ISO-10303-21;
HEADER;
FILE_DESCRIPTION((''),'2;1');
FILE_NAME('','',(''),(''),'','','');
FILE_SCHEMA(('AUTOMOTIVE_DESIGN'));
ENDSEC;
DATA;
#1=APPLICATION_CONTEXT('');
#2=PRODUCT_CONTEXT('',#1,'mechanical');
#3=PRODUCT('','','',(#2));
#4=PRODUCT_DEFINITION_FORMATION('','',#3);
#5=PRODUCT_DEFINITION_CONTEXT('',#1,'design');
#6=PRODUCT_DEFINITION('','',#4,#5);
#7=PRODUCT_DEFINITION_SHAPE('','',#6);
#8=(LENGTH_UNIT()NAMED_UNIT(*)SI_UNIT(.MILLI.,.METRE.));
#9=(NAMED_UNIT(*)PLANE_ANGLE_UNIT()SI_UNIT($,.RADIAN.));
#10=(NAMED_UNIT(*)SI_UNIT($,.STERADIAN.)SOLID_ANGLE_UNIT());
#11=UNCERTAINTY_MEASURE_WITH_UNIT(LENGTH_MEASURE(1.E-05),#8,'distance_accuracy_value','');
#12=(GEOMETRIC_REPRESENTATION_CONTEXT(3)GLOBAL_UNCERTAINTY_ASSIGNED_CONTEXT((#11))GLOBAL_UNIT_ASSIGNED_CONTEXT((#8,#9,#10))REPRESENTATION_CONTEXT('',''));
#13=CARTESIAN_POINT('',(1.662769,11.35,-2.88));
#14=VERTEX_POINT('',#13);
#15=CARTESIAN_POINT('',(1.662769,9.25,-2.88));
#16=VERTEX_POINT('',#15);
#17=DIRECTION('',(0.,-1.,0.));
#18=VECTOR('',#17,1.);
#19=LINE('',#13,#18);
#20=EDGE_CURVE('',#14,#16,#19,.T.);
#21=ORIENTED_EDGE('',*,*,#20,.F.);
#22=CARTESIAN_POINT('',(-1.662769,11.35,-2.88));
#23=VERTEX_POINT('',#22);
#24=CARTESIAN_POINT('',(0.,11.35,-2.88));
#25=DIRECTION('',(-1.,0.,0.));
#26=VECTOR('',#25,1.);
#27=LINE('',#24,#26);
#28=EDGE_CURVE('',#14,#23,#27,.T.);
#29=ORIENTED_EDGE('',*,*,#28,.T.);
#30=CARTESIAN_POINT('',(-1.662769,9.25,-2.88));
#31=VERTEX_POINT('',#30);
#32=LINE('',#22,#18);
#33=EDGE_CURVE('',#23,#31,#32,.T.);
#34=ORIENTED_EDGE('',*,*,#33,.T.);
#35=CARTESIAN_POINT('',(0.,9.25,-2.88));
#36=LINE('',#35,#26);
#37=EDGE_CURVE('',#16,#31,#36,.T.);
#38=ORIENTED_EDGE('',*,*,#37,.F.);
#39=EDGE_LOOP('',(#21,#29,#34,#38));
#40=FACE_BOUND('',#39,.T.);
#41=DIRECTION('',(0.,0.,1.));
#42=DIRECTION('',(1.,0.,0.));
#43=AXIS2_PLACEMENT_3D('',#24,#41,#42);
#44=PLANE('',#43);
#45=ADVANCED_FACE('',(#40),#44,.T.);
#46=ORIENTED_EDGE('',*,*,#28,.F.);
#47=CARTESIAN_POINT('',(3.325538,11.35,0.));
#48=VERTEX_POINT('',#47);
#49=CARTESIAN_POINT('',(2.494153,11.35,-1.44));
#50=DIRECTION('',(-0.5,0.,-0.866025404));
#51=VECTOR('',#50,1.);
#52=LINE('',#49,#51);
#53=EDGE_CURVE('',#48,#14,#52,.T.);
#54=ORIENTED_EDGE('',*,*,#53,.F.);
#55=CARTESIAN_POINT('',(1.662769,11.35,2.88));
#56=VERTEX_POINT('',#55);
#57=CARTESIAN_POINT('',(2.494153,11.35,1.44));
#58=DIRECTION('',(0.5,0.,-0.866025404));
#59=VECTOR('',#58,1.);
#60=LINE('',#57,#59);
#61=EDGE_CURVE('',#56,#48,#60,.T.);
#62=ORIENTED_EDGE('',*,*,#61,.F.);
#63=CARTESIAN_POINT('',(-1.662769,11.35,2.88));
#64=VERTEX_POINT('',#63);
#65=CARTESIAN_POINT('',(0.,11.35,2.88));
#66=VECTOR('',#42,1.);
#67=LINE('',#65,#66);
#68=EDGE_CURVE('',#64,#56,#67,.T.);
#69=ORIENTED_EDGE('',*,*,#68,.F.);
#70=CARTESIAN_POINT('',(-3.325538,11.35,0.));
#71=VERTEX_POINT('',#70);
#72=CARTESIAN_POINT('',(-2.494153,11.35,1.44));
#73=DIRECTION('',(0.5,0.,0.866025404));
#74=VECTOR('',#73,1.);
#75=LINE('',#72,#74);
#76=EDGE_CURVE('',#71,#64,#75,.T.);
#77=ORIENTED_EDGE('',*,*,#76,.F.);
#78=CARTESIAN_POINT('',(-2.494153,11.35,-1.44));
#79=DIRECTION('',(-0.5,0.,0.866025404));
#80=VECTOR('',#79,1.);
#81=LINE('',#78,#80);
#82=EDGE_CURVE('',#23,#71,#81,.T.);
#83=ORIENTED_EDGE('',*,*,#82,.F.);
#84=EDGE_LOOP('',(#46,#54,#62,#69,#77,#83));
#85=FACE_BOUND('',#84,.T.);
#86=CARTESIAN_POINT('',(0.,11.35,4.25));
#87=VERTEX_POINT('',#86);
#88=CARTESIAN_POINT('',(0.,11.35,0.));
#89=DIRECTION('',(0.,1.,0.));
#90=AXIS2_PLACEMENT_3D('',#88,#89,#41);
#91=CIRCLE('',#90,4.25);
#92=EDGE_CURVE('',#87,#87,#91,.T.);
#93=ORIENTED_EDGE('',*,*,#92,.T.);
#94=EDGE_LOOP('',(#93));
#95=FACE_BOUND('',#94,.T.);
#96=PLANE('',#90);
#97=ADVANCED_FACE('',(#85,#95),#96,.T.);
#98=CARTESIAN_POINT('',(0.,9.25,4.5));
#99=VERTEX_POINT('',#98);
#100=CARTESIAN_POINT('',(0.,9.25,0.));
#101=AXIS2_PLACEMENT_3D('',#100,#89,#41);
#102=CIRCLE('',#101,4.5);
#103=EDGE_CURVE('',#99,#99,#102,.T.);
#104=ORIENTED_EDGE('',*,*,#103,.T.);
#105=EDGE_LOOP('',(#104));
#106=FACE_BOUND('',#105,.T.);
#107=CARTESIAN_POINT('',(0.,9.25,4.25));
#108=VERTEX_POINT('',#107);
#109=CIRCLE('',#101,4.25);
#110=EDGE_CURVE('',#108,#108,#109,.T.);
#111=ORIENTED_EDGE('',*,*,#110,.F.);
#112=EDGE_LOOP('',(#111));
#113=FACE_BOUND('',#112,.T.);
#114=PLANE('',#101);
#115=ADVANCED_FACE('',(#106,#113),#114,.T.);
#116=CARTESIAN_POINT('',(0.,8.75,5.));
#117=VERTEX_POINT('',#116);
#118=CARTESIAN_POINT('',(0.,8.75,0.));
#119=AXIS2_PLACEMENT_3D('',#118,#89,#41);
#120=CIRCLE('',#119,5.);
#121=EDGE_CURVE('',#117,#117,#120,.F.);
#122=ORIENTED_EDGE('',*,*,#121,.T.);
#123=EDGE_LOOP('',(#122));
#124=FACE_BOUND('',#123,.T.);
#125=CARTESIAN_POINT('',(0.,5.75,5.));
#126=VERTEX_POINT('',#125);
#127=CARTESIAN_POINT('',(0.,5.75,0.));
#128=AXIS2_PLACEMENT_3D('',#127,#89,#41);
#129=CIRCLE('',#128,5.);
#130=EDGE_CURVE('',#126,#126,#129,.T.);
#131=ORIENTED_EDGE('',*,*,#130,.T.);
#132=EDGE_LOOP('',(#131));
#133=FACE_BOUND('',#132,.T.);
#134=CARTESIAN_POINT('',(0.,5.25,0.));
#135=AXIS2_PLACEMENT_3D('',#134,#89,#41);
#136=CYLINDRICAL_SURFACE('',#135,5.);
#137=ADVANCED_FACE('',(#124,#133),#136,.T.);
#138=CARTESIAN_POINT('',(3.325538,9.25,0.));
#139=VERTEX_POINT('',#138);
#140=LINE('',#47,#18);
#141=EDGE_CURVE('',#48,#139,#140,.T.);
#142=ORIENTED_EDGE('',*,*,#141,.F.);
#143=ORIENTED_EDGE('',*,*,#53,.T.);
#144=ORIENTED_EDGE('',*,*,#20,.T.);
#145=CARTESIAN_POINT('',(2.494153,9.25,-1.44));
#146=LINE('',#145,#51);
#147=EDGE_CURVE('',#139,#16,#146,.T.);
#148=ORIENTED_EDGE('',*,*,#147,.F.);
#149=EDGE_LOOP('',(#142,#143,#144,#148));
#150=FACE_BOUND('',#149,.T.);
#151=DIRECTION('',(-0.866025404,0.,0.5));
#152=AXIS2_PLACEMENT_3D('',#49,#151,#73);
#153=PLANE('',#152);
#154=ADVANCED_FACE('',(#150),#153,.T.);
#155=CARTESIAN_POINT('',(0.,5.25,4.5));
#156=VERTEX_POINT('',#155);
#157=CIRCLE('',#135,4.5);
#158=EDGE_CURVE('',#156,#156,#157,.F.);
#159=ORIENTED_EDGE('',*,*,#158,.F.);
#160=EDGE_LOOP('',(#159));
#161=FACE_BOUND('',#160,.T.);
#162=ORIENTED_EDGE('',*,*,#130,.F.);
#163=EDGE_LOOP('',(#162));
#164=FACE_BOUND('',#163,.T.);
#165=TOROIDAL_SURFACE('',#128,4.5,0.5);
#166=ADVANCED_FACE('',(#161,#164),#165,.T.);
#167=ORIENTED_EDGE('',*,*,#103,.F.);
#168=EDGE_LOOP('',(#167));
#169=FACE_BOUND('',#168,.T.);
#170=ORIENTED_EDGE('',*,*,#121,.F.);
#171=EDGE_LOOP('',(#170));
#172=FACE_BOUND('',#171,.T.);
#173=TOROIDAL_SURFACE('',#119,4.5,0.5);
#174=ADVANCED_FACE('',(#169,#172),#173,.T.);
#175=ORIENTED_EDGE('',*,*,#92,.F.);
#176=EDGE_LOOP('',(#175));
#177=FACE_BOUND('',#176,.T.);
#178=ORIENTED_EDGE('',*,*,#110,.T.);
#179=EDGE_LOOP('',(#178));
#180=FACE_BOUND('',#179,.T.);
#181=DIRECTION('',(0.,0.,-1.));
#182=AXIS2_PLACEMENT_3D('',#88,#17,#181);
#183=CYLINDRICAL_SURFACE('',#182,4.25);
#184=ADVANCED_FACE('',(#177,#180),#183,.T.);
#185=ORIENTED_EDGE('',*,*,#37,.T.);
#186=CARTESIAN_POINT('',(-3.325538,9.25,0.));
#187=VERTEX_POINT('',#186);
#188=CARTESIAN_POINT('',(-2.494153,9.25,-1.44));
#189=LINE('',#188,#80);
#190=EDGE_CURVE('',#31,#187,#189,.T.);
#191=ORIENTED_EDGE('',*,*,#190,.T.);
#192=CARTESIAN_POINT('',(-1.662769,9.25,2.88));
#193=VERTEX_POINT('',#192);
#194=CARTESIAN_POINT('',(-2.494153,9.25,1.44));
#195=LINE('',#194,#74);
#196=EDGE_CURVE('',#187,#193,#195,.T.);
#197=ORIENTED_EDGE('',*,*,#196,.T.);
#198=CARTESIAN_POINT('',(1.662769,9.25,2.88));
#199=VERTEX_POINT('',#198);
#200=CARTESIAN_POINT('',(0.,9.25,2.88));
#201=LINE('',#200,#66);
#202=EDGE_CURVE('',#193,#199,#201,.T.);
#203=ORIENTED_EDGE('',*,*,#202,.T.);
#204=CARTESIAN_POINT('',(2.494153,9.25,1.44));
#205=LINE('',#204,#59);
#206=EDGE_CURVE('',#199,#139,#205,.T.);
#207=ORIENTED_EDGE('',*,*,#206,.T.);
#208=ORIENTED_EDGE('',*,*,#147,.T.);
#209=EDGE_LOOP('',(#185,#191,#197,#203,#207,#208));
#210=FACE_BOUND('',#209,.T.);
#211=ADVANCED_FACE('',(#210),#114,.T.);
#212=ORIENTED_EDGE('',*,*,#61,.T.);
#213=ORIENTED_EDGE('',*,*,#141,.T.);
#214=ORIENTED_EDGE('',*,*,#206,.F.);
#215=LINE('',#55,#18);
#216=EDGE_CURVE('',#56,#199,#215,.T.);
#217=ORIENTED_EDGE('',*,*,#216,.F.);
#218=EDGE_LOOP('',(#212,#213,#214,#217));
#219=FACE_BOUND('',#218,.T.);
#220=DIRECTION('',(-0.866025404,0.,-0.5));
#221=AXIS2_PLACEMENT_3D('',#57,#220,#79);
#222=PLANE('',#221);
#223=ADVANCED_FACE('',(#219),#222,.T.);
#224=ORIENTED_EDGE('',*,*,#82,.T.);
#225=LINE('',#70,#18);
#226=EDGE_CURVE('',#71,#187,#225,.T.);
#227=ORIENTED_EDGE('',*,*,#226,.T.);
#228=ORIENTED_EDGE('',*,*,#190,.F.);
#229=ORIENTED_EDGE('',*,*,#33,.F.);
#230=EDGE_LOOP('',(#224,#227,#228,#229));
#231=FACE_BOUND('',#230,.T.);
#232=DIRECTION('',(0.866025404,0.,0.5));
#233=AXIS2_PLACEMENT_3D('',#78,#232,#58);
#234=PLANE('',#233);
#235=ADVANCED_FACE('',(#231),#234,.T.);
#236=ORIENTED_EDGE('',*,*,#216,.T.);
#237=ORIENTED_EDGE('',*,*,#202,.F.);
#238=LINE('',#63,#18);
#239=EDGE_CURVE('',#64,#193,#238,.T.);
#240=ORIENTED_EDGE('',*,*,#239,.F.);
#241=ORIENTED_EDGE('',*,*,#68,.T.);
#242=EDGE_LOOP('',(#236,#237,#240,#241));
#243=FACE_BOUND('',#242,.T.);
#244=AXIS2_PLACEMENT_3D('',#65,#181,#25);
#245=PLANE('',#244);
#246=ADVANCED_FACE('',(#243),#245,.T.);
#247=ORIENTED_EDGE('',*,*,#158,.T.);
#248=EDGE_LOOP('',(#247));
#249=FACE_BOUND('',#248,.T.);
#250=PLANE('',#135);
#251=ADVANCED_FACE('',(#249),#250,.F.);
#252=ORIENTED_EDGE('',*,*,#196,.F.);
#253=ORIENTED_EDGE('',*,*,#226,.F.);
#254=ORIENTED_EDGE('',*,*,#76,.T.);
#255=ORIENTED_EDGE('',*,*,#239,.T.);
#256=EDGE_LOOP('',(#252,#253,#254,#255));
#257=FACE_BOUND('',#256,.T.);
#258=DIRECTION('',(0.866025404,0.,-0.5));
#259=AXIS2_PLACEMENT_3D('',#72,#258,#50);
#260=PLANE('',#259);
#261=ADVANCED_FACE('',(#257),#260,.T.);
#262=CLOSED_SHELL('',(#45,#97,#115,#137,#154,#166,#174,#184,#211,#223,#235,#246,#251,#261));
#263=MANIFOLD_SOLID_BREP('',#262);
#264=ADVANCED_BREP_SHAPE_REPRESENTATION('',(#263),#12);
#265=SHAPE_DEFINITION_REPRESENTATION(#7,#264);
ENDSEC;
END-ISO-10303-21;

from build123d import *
from OCP.BRepFilletAPI import BRepFilletAPI_MakeChamfer

# Parameters (mm, degrees)
BOSS_EXTRUDE1_DEPTH  = 1.75
BOSS_EXTRUDE2_DEPTH  = 0.5
BOSS_EXTRUDE5_DEPTH  = 3.5
SKETCH4_R            = 3.5
BOSS_EXTRUDE7_DEPTH  = 2
SKETCH11_R           = 4.505443821
SKETCH11_R_2         = 3.5
CUT_EXTRUDE3_DEPTH   = 2
SKETCH12_R           = 3.5
CUT_EXTRUDE4_DEPTH   = 3
BOSS_EXTRUDE8_DEPTH  = 2.5
CHAMFER1_SIZE        = 0.5
CHAMFER1_SIZE2       = 0.288675135
SKETCH17_R           = 3.25
BOSS_EXTRUDE9_DEPTH  = 3
SKETCH18_R           = 1.768100224
CUT_EXTRUDE8_DEPTH   = 2.25
SKETCH20_R           = 5
BOSS_EXTRUDE10_DEPTH = 2
SKETCH21_R           = 5
BOSS_EXTRUDE11_DEPTH = 2
FILLET1_R            = 0.5
SKETCH25_R           = 4.000350088
CUT_EXTRUDE9_DEPTH   = 10
SKETCH26_R           = 4.25
BOSS_EXTRUDE12_DEPTH = 2.1


with BuildPart() as part:
    # Sketch1 → Boss-Extrude1 (new body)
    with BuildSketch(Plane(origin=(0, 0, 0), x_dir=(1, 0, 0), z_dir=(0, 1, 0))):
        Polygon((0.658179307, 0), (0.329089653, 0.57), (-0.329089653, 0.57), (-0.658179307, 0), (-0.329089653, -0.57), (0.329089653, -0.57), align=None)
    extrude(amount=BOSS_EXTRUDE1_DEPTH)

    # Sketch2 → Boss-Extrude2 (add)
    with BuildSketch(Plane(origin=(0, 1.75, 0), x_dir=(1, 0, 0), z_dir=(0, 1, 0))):
        Polygon((0.658179307, 0), (0.558124156, -0.173300605), (4.375, 0), (0.558578548, 0.172513574), align=None)
        Polygon((0, 0.197762982), (0, 0), (0, -0.198641554), (0.558124156, -0.173300605), (0.658179307, 0), (0.558578548, 0.172513574), align=None)
    extrude(amount=BOSS_EXTRUDE2_DEPTH)

    # Sketch3 → Boss-Extrude5 (add)
    with BuildSketch(Plane(origin=(0, 1.75, 0), x_dir=(1, 0, 0), z_dir=(0, 1, 0))):
        Polygon((0.658179307, 0), (0.329089653, 0.57), (-0.329089653, 0.57), (-0.658179307, 0), (-0.329089653, -0.57), (0.329089653, -0.57), align=None)
    extrude(amount=BOSS_EXTRUDE5_DEPTH)

    # Sketch4 → Boss-Extrude7 (add)
    with BuildSketch(Plane(origin=(0, 5.25, 0), x_dir=(1, 0, 0), z_dir=(0, 1, 0))):
        with Locations(Location((0, 0, 0), (0, 0, 270))):
            Circle(SKETCH4_R)
    extrude(amount=BOSS_EXTRUDE7_DEPTH)

    # Sketch11 → Cut-Extrude3 (cut)
    with BuildSketch(Plane(origin=(0, 1.75, 0), x_dir=(-1, 0, 0), z_dir=(0, -1, 0))):
        Circle(SKETCH11_R)
        with Locations(Location((0, 0, 0), (0, 0, 270))):
            Circle(SKETCH11_R_2, mode=Mode.SUBTRACT)
    extrude(amount=-CUT_EXTRUDE3_DEPTH, mode=Mode.SUBTRACT)

    # Sketch12 → Cut-Extrude4 (cut)
    with BuildSketch(Plane(origin=(0, 0, 0), x_dir=(-1, 0, 0), z_dir=(0, -1, 0))):
        with Locations(Location((0, 0, 0), (0, 0, 270))):
            Circle(SKETCH12_R)
    extrude(amount=-CUT_EXTRUDE4_DEPTH, mode=Mode.SUBTRACT)

    # Sketch16 → Boss-Extrude8 (add)
    with BuildSketch(Plane(origin=(0, 3, 0), x_dir=(-1, 0, 0), z_dir=(0, -1, 0))):
        Polygon((0.55, -0.952627944), (1.1, 0), (0.658179307, 0), (0.329089653, -0.57), (-0.329089653, -0.57), (-0.658179307, 0), (-1.1, 0), (-0.55, -0.952627944), align=None)
        Polygon((0.658179307, 0), (1.1, 0), (0.55, 0.952627944), (-0.55, 0.952627944), (-1.1, 0), (-0.658179307, 0), (-0.329089653, 0.57), (0.329089653, 0.57), align=None)
        Polygon((-0.658179307, 0), (0.658179307, 0), (0.329089653, 0.57), (-0.329089653, 0.57), align=None)
        Polygon((0.329089653, -0.57), (0.658179307, 0), (-0.658179307, 0), (-0.329089653, -0.57), align=None)
    extrude(amount=-BOSS_EXTRUDE8_DEPTH)

    # Chamfer1: one chamfer whose edges measure the first distance from different faces: ONE call of the kernel's chamfer builder (chamfer() names one face for all edges)
    chamfer1_edges_1 = [part.edges().sort_by_distance(p)[0] for p in [
        (-0.825, 5.25, -0.476313972),
    ]]
    chamfer1_side_1 = [part.faces().sort_by_distance(p)[0] for p in [
        (-0.825, 4.125, -0.476313972),
    ]]
    chamfer1_edges_2 = [part.edges().sort_by_distance(p)[0] for p in [
        (0, 5.25, -0.952627944),
    ]]
    chamfer1_side_2 = [part.faces().sort_by_distance(p)[0] for p in [
        (0, 4.125, -0.952627944),
    ]]
    chamfer1_edges_3 = [part.edges().sort_by_distance(p)[0] for p in [
        (0.825, 5.25, -0.476313972),
    ]]
    chamfer1_side_3 = [part.faces().sort_by_distance(p)[0] for p in [
        (0.825, 4.125, -0.476313972),
    ]]
    chamfer1_edges_4 = [part.edges().sort_by_distance(p)[0] for p in [
        (0.825, 5.25, 0.476313972),
    ]]
    chamfer1_side_4 = [part.faces().sort_by_distance(p)[0] for p in [
        (0.825, 4.125, 0.476313972),
    ]]
    chamfer1_edges_5 = [part.edges().sort_by_distance(p)[0] for p in [
        (0, 5.25, 0.952627944),
    ]]
    chamfer1_side_5 = [part.faces().sort_by_distance(p)[0] for p in [
        (0, 4.125, 0.952627944),
    ]]
    chamfer1_edges_6 = [part.edges().sort_by_distance(p)[0] for p in [
        (-0.825, 5.25, 0.476313972),
    ]]
    chamfer1_side_6 = [part.faces().sort_by_distance(p)[0] for p in [
        (-0.825, 4.125, 0.476313972),
    ]]
    chamfer1 = BRepFilletAPI_MakeChamfer(part.part.solid().wrapped)
    for e in chamfer1_edges_1:
        chamfer1.Add(CHAMFER1_SIZE, CHAMFER1_SIZE2, e.wrapped, chamfer1_side_1[0].wrapped)  # the first distance lies on this face
    for e in chamfer1_edges_2:
        chamfer1.Add(CHAMFER1_SIZE, CHAMFER1_SIZE2, e.wrapped, chamfer1_side_2[0].wrapped)  # the first distance lies on this face
    for e in chamfer1_edges_3:
        chamfer1.Add(CHAMFER1_SIZE, CHAMFER1_SIZE2, e.wrapped, chamfer1_side_3[0].wrapped)  # the first distance lies on this face
    for e in chamfer1_edges_4:
        chamfer1.Add(CHAMFER1_SIZE, CHAMFER1_SIZE2, e.wrapped, chamfer1_side_4[0].wrapped)  # the first distance lies on this face
    for e in chamfer1_edges_5:
        chamfer1.Add(CHAMFER1_SIZE, CHAMFER1_SIZE2, e.wrapped, chamfer1_side_5[0].wrapped)  # the first distance lies on this face
    for e in chamfer1_edges_6:
        chamfer1.Add(CHAMFER1_SIZE, CHAMFER1_SIZE2, e.wrapped, chamfer1_side_6[0].wrapped)  # the first distance lies on this face
    add(Compound.cast(chamfer1.Shape()), mode=Mode.REPLACE)

    # Sketch17 → Boss-Extrude9 (add)
    with BuildSketch(Plane(origin=(0, 3, 0), x_dir=(-1, 0, 0), z_dir=(0, -1, 0))):
        with Locations(Location((0, 0, 0), (0, 0, 90))):
            Circle(SKETCH17_R)
        Polygon((-2.995914926, 0), (-1.497957463, -2.594538434), (1.497957463, -2.594538434), (2.995914926, 0), (1.497957463, 2.594538434), (-1.497957463, 2.594538434), align=None, mode=Mode.SUBTRACT)
    extrude(amount=-BOSS_EXTRUDE9_DEPTH)

    # Sketch18 → Cut-Extrude8 (cut)
    with BuildSketch(Plane(origin=(0, 3, 0), x_dir=(-1, 0, 0), z_dir=(0, -1, 0))):
        Circle(SKETCH18_R)
    extrude(amount=-CUT_EXTRUDE8_DEPTH, mode=Mode.SUBTRACT)

    # Sketch20 → Boss-Extrude10 (add)
    with BuildSketch(Plane(origin=(0, 7.25, 0), x_dir=(1, 0, 0), z_dir=(0, 1, 0))):
        with Locations(Location((0, 0, 0), (0, 0, 270))):
            Circle(SKETCH20_R)
    extrude(amount=-BOSS_EXTRUDE10_DEPTH)

    # Sketch21 → Boss-Extrude11 (add)
    with BuildSketch(Plane(origin=(0, 7.25, 0), x_dir=(1, 0, 0), z_dir=(0, 1, 0))):
        with Locations(Location((0, 0, 0), (0, 0, 270))):
            Circle(SKETCH21_R)
    extrude(amount=BOSS_EXTRUDE11_DEPTH)

    # Fillet1
    fillet1_edges = [part.edges().sort_by_distance(p)[0] for p in [
        (0, 5.25, -5),
        (0, 9.25, -5),
    ]]
    fillet(fillet1_edges, radius=FILLET1_R)

    # Sketch25 → Cut-Extrude9 (cut)
    with BuildSketch(Plane(origin=(0, 5.25, 0), x_dir=(-1, 0, 0), z_dir=(0, -1, 0))):
        Circle(SKETCH25_R)
    extrude(amount=CUT_EXTRUDE9_DEPTH, mode=Mode.SUBTRACT)

    # Sketch26 → Boss-Extrude12 (add)
    with BuildSketch(Plane(origin=(0, 9.25, 0), x_dir=(1, 0, 0), z_dir=(0, 1, 0))):
        with Locations(Location((0, 0, 0), (0, 0, 270))):
            Circle(SKETCH26_R)
        Polygon((1.662768775, -2.88), (3.325537551, 0), (1.662768775, 2.88), (-1.662768775, 2.88), (-3.325537551, 0), (-1.662768775, -2.88), align=None, mode=Mode.SUBTRACT)
    extrude(amount=BOSS_EXTRUDE12_DEPTH)


solid = part.part
